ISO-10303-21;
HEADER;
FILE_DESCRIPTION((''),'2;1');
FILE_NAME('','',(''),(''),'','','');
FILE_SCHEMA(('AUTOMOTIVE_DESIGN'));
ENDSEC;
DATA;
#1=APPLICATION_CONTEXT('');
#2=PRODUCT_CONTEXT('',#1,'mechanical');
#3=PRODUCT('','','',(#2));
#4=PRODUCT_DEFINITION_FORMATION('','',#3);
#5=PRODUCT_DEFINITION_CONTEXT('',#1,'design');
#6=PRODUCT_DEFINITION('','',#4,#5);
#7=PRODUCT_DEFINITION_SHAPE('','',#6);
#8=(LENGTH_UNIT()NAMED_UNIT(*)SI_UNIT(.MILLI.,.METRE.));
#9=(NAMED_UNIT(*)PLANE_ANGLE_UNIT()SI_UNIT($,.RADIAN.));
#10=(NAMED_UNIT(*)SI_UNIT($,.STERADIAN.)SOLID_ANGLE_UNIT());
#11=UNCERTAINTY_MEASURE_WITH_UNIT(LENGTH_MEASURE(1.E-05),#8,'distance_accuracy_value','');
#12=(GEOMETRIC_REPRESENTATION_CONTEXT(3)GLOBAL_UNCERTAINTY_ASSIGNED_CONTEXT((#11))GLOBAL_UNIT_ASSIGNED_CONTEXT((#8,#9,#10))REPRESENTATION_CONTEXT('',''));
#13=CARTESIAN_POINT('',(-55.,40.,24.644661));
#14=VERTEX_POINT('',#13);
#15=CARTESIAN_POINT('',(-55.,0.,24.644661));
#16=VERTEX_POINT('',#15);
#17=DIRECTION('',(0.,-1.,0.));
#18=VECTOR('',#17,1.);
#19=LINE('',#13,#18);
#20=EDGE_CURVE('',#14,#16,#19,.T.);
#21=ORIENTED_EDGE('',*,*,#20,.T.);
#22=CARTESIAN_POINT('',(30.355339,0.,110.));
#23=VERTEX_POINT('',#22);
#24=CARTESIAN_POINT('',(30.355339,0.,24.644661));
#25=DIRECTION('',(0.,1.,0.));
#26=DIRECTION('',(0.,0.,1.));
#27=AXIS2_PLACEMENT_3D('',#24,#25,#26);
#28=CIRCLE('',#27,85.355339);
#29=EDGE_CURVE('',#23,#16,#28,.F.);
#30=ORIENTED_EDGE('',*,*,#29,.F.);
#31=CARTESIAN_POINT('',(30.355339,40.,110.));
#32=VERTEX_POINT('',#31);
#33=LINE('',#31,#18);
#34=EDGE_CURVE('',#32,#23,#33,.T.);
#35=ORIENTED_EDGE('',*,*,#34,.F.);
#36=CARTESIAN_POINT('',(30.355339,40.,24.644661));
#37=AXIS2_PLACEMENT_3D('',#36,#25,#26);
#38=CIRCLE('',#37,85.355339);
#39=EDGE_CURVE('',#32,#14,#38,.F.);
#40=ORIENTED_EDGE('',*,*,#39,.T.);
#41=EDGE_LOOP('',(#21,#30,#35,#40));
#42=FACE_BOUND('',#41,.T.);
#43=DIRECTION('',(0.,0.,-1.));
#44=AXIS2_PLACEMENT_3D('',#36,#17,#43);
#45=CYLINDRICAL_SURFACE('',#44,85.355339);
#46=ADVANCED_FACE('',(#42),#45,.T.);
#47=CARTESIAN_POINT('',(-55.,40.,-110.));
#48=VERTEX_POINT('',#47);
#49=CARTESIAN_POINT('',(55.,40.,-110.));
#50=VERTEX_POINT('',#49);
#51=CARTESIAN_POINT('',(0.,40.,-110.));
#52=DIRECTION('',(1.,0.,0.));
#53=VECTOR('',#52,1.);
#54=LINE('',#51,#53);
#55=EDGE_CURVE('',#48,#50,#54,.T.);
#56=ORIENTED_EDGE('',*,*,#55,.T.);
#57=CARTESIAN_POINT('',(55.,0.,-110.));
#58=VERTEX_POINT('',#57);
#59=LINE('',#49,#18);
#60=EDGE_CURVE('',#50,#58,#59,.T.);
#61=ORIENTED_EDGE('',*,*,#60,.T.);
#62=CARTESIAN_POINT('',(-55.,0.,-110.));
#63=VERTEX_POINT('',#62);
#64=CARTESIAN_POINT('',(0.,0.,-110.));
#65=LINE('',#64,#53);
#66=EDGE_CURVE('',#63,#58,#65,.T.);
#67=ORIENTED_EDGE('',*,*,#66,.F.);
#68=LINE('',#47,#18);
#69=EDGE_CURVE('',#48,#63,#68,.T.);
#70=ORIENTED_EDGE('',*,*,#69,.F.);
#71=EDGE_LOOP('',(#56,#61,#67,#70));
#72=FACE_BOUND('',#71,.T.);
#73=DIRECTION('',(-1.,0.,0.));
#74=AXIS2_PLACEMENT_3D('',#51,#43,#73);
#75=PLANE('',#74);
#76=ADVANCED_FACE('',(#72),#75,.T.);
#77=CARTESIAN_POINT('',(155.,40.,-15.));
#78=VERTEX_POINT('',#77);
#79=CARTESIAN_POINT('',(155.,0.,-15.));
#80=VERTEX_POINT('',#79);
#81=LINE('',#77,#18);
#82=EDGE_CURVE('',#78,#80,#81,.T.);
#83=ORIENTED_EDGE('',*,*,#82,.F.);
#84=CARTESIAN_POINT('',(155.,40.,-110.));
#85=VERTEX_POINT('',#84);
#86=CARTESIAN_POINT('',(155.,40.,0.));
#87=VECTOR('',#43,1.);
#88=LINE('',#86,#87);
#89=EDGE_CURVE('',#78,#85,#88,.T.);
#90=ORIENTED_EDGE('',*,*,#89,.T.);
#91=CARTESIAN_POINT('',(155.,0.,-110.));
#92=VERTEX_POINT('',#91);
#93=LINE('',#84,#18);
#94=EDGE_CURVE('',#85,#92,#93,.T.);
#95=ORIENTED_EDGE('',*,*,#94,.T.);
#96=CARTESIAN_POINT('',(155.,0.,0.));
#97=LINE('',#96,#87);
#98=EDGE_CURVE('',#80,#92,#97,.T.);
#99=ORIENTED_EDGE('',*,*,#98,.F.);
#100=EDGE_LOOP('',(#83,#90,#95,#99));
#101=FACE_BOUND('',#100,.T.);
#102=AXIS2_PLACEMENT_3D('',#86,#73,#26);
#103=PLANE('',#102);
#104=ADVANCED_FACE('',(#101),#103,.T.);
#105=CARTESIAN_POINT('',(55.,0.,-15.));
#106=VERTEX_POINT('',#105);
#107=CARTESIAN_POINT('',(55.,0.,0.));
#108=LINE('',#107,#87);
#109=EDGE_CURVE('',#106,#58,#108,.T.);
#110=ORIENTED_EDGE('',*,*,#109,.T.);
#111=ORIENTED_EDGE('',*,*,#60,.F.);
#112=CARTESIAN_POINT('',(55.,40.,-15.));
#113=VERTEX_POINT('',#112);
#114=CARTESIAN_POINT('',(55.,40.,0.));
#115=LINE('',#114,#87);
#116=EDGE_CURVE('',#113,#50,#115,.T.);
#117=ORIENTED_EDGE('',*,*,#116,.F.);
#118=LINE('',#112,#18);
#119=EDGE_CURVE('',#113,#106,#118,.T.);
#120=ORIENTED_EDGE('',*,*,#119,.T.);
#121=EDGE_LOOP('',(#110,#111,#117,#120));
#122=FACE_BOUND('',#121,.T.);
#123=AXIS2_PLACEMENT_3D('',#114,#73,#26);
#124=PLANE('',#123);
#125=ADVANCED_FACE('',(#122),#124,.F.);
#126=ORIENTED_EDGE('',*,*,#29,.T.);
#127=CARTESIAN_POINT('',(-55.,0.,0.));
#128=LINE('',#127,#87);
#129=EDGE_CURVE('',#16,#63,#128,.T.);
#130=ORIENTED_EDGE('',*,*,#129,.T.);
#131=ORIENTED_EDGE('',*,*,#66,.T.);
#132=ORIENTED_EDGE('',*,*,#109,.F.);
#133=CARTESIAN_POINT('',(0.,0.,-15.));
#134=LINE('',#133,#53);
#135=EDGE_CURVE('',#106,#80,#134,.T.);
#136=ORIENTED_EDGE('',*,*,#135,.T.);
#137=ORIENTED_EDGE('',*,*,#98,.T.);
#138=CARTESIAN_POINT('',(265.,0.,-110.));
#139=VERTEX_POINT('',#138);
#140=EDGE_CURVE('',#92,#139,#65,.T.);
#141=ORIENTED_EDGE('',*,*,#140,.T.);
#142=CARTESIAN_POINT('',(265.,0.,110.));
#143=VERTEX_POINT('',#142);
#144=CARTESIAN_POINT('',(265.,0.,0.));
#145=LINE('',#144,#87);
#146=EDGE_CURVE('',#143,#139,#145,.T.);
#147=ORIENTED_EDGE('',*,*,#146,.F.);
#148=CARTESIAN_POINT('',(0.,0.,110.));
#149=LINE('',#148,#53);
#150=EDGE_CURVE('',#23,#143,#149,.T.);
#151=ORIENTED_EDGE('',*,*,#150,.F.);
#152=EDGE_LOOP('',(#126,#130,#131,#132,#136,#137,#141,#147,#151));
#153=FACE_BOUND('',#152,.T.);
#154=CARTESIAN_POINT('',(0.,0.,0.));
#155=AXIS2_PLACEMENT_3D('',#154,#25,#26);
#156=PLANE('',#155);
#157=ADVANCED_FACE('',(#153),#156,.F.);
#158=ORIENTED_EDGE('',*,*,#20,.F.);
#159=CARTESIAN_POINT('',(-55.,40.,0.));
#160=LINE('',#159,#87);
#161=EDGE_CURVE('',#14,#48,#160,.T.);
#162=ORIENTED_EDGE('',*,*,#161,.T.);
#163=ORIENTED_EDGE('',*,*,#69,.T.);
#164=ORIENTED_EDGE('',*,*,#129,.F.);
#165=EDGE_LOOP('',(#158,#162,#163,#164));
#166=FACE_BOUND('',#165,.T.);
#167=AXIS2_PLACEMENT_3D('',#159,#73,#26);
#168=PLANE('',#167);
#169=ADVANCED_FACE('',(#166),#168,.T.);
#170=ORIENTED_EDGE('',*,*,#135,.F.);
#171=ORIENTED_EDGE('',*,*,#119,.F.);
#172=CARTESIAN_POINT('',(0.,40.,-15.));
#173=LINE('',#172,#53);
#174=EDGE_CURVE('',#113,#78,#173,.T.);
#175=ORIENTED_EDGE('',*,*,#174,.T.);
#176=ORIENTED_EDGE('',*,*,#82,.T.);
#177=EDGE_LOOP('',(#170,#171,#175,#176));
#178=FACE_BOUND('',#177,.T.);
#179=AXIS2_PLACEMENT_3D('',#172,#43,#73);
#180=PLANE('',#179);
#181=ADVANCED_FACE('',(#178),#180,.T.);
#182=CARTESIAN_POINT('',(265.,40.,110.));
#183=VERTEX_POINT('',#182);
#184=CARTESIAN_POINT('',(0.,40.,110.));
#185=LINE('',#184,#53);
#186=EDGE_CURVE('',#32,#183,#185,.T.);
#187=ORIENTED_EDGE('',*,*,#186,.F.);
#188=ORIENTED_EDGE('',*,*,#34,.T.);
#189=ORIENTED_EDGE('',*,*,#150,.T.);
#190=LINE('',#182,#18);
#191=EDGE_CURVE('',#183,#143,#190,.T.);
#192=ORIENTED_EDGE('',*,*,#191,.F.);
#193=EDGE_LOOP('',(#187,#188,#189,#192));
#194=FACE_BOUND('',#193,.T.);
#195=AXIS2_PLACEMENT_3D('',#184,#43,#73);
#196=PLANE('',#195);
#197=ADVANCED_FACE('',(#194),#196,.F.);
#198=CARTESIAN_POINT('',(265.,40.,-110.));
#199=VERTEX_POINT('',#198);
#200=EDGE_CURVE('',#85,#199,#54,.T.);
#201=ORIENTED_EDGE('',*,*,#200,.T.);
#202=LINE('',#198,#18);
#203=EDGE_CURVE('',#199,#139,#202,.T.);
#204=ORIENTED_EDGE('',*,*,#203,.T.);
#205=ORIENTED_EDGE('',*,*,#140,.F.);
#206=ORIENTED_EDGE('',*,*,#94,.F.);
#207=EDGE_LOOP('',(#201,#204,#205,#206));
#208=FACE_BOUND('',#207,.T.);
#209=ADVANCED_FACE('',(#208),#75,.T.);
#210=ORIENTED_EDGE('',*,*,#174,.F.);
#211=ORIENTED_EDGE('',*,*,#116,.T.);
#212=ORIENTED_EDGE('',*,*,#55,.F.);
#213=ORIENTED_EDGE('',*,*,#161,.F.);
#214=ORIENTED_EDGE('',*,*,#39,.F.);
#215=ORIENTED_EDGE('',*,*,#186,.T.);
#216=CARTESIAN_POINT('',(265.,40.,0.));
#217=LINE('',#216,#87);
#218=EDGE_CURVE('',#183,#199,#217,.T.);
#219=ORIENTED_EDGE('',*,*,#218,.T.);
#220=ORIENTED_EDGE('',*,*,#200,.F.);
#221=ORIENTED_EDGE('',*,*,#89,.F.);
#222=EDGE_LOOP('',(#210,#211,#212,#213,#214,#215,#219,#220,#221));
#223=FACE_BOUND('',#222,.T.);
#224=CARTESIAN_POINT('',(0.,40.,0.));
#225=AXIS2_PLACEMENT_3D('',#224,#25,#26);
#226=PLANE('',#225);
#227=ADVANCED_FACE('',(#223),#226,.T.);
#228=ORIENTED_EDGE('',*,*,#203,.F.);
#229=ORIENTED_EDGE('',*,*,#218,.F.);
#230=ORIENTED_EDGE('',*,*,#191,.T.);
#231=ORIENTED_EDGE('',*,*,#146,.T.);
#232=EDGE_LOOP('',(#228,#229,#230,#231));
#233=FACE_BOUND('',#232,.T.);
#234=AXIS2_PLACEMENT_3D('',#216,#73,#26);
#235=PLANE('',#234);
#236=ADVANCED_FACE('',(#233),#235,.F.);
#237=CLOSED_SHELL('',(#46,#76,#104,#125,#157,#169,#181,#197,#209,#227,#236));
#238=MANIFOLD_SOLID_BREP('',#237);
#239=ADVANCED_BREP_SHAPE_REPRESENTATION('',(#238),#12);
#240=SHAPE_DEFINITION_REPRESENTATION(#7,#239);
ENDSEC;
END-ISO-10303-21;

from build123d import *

# Parameters (mm, degrees)
SKETCH1_W           = 100
SKETCH1_H           = 125
BOSS_EXTRUDE1_DEPTH = 40


with BuildPart() as part:
    # Sketch1 → Boss-Extrude1 (new body)
    with BuildSketch(Plane(origin=(0, 0, 0), x_dir=(1, 0, 0), z_dir=(0, 1, 0))):
        with BuildLine():
            ThreePointArc((-55, -24.644660941), (-30, -85), (30.355339059, -110))
            Line((30.355339059, -110), (55, -110))
            Line((55, -110), (55, 15))
            Line((55, 15), (55, 110))
            Line((55, 110), (-55, 110))
            Line((-55, 110), (-55, -24.644660941))
        make_face()
        with Locations((105, -47.5)):
            Rectangle(SKETCH1_W, SKETCH1_H)
        Polygon((155, 15), (155, -110), (265, -110), (265, 110), (155, 110), align=None)
    extrude(amount=BOSS_EXTRUDE1_DEPTH)


solid = part.part
